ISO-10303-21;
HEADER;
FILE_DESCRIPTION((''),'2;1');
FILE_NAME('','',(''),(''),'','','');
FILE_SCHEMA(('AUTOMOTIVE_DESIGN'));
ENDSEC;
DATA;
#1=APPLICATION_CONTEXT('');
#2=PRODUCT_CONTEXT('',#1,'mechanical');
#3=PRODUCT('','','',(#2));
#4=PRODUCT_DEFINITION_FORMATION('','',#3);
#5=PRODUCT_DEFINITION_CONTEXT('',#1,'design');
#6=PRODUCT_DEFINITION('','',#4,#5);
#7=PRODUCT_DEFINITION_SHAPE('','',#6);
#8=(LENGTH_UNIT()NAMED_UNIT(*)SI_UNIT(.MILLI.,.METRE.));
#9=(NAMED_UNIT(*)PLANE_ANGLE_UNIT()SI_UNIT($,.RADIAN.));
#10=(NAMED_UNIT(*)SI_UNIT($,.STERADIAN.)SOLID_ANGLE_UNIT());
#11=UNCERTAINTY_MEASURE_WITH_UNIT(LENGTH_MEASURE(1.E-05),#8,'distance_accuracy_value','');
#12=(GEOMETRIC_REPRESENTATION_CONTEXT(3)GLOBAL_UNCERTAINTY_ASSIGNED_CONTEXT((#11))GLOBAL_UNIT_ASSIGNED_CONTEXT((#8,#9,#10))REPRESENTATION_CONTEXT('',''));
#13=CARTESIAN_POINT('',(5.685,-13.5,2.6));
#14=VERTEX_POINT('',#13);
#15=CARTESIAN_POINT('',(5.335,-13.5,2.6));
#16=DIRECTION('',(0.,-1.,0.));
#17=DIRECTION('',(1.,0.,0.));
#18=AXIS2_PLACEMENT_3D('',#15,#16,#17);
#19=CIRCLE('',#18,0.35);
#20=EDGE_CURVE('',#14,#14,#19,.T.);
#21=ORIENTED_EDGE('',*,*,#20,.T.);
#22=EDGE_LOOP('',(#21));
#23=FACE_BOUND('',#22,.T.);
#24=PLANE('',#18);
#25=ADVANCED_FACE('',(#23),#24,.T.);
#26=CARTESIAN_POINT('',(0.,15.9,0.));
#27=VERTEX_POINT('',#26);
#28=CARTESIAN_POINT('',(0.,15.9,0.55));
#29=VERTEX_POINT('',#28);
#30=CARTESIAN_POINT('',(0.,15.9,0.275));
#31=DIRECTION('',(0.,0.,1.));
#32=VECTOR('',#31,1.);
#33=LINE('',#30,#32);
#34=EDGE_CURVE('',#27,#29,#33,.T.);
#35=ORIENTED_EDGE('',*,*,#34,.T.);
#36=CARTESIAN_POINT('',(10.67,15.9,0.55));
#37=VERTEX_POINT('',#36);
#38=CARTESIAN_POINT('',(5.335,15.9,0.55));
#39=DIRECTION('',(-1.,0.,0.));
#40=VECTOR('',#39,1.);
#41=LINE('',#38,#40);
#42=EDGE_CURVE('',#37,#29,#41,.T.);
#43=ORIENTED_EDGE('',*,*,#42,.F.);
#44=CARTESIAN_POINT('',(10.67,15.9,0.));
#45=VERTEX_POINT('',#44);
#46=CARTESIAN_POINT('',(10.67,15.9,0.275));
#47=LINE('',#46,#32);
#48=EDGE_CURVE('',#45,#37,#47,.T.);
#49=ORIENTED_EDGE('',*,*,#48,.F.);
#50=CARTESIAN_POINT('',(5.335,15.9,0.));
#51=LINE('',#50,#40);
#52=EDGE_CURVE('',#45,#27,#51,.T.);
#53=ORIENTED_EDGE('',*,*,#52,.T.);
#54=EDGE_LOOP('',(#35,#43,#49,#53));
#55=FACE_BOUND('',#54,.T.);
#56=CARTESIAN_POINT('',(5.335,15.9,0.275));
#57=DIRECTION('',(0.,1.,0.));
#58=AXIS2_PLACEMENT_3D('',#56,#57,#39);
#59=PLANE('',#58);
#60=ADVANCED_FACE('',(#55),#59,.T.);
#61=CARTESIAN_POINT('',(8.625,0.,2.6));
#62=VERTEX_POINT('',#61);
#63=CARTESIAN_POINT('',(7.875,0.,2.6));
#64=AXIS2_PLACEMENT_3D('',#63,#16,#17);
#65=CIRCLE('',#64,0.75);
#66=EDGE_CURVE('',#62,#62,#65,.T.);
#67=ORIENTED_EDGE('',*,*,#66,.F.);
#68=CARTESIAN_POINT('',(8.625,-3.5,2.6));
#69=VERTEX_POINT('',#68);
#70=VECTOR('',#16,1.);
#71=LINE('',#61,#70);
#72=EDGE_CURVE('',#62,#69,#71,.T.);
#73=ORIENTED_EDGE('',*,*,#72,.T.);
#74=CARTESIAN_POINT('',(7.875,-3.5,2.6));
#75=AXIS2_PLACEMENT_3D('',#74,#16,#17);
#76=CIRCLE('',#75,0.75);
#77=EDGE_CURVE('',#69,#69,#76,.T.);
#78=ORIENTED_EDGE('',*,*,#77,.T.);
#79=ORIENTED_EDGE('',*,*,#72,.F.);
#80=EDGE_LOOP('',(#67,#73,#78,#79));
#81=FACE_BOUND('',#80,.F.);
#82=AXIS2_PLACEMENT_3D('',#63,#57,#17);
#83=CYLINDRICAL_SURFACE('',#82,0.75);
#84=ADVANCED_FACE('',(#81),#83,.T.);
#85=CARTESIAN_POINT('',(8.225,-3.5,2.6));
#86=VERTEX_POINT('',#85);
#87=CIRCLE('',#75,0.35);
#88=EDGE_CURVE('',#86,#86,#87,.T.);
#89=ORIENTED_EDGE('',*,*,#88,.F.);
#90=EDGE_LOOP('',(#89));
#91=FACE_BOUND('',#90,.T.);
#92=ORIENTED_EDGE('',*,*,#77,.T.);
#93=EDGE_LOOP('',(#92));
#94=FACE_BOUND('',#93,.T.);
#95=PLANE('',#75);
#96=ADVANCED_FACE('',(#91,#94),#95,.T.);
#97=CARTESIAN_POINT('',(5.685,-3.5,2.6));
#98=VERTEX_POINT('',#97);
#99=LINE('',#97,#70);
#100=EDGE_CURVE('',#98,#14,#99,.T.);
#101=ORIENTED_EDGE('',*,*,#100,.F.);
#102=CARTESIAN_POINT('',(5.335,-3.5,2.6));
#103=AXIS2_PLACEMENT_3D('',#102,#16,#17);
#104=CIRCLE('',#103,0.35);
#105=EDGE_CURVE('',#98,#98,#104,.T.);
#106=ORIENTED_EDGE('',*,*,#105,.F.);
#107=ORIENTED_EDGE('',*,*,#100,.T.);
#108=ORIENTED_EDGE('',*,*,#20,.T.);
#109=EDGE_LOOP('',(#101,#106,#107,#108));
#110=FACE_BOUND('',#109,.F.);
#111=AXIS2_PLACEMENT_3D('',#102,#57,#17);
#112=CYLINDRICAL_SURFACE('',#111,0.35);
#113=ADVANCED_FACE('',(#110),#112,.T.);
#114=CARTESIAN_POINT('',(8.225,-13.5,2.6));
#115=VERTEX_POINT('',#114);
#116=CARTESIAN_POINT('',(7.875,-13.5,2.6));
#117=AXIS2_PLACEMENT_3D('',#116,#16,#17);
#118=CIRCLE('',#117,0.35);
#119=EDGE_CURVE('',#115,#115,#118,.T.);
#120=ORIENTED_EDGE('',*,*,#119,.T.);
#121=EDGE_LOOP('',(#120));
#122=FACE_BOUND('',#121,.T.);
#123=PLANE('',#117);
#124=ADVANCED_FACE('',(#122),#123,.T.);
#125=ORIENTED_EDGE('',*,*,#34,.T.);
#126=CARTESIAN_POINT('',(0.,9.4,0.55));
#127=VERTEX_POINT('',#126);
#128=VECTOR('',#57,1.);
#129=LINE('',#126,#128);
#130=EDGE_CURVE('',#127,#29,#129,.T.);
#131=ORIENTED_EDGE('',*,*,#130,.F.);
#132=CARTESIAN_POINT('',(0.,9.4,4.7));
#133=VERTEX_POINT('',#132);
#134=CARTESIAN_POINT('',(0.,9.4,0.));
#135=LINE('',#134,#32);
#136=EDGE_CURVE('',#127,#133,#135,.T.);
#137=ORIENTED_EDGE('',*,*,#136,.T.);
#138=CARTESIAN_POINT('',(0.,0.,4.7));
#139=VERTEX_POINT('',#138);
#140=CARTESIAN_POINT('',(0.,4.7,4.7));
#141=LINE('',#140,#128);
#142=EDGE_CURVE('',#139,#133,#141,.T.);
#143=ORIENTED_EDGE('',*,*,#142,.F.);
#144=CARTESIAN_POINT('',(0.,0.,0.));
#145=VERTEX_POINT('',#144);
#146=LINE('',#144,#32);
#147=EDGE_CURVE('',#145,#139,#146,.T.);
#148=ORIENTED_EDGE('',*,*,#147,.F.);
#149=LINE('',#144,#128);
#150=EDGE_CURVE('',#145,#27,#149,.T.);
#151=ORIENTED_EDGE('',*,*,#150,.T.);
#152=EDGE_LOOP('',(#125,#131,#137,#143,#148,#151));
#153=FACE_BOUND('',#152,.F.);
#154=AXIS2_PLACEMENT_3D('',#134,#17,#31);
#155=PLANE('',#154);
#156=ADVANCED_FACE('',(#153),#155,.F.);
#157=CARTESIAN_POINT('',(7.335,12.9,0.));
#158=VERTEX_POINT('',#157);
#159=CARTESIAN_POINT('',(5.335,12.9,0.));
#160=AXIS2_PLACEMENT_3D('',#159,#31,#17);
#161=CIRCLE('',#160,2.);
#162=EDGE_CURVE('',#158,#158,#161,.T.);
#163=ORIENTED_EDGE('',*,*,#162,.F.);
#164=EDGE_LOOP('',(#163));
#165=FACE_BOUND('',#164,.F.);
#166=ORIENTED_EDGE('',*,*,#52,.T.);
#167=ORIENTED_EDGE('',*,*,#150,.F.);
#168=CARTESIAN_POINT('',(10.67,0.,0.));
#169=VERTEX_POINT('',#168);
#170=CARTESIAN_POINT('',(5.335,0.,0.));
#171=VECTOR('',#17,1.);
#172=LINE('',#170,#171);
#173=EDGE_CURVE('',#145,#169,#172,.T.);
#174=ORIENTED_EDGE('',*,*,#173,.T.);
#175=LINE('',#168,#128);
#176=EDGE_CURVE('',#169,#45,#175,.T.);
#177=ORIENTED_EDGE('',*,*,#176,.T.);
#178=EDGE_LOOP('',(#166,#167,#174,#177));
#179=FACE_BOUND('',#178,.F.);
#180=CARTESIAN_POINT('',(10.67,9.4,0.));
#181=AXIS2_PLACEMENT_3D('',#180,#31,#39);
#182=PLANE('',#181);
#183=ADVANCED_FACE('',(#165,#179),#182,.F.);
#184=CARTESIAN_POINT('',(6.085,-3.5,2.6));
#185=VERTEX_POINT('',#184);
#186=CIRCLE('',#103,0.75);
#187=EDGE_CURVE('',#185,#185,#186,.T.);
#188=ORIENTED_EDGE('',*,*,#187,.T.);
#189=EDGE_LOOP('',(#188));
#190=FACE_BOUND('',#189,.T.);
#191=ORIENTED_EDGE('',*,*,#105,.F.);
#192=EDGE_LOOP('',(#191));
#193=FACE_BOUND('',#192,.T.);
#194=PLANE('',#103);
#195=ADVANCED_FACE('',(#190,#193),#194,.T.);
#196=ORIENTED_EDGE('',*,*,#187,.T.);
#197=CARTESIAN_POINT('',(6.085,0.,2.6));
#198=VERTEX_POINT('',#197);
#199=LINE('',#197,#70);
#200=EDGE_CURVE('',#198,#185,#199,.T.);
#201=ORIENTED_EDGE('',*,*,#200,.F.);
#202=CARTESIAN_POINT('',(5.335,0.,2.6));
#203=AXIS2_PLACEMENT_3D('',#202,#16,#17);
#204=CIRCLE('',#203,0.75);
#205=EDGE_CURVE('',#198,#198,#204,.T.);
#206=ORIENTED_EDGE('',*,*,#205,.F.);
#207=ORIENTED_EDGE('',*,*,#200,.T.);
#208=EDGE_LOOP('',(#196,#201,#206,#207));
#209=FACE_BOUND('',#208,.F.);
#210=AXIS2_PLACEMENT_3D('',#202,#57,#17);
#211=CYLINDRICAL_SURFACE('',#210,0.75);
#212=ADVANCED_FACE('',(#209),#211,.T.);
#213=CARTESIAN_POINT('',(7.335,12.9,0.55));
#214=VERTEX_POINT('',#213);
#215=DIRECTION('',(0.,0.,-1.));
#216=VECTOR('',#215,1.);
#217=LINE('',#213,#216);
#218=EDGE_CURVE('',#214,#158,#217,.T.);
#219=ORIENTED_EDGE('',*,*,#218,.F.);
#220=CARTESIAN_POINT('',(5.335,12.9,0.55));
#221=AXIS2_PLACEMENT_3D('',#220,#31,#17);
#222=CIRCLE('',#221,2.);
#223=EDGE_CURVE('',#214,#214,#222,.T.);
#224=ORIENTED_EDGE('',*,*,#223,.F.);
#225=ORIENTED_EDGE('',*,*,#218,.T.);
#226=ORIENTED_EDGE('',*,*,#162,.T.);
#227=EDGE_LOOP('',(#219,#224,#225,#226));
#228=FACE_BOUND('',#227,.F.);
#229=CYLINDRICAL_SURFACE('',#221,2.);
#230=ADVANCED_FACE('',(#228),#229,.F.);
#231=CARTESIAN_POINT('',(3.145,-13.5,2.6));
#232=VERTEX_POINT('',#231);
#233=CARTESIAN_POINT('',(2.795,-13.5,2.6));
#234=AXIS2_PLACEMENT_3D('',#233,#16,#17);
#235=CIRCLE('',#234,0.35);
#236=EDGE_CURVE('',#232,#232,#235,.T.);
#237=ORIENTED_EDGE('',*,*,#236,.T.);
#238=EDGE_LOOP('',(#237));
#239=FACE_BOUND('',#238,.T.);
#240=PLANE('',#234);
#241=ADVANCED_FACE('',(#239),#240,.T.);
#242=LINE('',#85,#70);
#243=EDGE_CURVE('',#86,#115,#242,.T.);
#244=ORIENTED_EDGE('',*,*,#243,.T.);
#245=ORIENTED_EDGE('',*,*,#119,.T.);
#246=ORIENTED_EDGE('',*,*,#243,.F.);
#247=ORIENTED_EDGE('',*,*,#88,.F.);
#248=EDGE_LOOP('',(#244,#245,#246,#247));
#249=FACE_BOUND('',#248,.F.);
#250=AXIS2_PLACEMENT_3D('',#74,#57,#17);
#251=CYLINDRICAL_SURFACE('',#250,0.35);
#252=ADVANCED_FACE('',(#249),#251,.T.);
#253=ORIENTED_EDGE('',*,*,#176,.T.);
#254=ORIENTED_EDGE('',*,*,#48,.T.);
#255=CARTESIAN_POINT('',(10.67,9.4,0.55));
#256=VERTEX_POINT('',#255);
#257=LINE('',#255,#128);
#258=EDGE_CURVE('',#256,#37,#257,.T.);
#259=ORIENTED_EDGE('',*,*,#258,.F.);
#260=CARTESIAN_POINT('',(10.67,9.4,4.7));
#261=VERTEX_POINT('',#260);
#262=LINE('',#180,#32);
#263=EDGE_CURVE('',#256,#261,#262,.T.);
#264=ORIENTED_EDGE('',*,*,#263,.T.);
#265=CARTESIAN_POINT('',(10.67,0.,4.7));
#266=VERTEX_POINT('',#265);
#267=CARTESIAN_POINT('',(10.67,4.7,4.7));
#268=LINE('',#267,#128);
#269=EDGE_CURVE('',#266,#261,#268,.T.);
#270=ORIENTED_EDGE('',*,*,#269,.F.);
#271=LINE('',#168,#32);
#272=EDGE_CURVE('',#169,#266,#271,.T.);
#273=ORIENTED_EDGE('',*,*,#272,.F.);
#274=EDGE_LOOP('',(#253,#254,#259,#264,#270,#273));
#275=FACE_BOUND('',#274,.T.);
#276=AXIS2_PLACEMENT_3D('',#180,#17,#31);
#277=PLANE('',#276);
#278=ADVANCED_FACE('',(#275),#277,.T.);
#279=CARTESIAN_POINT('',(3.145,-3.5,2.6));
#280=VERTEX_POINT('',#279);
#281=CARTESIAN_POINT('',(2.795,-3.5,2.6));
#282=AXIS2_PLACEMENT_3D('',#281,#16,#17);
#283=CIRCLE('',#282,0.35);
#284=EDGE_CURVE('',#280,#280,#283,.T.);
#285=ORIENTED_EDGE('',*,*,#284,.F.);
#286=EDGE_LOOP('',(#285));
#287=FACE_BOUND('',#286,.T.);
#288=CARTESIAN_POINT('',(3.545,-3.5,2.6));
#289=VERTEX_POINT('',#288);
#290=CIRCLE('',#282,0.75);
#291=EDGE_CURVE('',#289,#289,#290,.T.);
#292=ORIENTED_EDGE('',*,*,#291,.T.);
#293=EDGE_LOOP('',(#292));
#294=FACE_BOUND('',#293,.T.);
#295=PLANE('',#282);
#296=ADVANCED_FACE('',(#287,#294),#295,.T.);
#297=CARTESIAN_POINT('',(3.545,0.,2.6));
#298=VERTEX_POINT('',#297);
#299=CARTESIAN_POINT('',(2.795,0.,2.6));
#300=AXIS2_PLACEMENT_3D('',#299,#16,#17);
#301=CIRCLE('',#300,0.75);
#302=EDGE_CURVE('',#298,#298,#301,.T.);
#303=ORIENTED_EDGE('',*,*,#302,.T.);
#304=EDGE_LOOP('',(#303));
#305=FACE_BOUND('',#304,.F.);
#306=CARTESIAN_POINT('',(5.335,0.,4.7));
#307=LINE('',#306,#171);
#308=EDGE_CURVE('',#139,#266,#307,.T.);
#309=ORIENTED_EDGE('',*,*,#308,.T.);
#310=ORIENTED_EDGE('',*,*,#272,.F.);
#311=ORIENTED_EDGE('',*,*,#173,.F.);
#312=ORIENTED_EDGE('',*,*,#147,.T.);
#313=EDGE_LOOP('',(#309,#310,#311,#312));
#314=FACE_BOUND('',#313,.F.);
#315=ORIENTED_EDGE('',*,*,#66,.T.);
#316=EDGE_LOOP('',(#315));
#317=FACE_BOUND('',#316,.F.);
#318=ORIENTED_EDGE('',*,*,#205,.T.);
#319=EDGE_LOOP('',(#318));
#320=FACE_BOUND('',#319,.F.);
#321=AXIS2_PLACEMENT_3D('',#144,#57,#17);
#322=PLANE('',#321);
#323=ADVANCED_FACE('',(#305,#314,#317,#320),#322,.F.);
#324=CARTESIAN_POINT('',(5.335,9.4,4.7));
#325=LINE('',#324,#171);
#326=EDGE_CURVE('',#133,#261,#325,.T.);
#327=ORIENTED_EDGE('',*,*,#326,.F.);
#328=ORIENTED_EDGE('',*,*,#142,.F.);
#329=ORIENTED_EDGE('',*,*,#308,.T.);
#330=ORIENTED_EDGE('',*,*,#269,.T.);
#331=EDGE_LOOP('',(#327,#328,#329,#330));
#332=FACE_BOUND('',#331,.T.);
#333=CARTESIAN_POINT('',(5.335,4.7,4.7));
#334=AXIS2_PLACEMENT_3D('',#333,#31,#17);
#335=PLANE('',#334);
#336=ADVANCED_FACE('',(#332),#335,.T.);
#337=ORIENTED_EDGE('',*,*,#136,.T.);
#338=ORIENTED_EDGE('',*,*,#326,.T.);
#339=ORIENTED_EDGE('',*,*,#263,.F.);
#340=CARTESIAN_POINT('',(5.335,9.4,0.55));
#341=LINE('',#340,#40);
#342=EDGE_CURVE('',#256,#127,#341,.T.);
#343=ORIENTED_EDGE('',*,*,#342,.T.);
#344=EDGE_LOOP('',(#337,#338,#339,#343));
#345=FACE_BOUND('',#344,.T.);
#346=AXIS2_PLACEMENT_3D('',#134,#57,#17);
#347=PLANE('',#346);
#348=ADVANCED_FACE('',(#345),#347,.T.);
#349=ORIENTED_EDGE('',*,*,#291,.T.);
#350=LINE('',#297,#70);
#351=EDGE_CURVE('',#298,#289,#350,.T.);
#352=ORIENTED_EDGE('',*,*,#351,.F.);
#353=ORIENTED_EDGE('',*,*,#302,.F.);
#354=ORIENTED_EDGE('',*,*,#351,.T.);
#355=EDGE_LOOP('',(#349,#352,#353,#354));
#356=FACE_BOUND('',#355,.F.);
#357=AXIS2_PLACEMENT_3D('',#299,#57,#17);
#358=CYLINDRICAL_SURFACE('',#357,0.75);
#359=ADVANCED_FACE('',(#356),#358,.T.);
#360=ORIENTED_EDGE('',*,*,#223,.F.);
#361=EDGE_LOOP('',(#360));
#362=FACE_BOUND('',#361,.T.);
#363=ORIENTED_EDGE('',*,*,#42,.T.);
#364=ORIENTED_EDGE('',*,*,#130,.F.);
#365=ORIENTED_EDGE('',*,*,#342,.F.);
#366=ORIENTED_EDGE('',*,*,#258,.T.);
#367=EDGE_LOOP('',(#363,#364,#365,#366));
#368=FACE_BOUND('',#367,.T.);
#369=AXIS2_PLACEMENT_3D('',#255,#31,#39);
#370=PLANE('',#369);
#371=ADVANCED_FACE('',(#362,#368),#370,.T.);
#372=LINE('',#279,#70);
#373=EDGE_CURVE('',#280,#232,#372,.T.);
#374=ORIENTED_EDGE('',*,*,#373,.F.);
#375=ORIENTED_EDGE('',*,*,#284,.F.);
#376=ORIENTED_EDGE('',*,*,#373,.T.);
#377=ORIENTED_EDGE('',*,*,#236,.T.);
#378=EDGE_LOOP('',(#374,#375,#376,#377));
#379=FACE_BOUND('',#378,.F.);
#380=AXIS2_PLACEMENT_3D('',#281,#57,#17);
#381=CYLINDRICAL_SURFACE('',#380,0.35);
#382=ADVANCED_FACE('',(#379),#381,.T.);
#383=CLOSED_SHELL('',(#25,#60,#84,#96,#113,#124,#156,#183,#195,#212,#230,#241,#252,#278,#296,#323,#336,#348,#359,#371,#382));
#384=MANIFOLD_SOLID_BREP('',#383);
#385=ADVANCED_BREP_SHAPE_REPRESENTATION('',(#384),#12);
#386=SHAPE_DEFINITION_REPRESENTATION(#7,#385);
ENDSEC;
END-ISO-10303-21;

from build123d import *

# Parameters (mm, degrees)
SKETCH_W     = 10.67
SKETCH_H     = 9.4
PAD_DEPTH    = 4.7
SKETCH001_R  = 0.75
PAD001_DEPTH = 3.5
SKETCH002_R  = 0.35
PAD002_DEPTH = 10
SKETCH003_W  = 10.67
SKETCH003_H  = 0.55
PAD003_DEPTH = 6.5
SKETCH004_R  = 2
POCKET_DEPTH = 5


with BuildPart() as part:
    # Sketch → Pad (new body)
    with BuildSketch(Plane.XY):
        with Locations((5.335, 4.7)):
            Rectangle(SKETCH_W, SKETCH_H)
    extrude(amount=PAD_DEPTH)

    # Sketch001 → Pad001 (new body)
    with BuildSketch(Plane.XZ):
        with Locations((2.795, 2.6)):
            Circle(SKETCH001_R)
        with Locations((5.335, 2.6)):
            Circle(SKETCH001_R)
        with Locations((7.875, 2.6)):
            Circle(SKETCH001_R)
    extrude(amount=PAD001_DEPTH)

    # Sketch002 → Pad002 (new body)
    with BuildSketch(Plane.XZ.offset(3.5)):
        with Locations((2.795, 2.6)):
            Circle(SKETCH002_R)
        with Locations((5.335, 2.6)):
            Circle(SKETCH002_R)
        with Locations((7.875, 2.6)):
            Circle(SKETCH002_R)
    extrude(amount=PAD002_DEPTH)

    # Sketch003 → Pad003 (new body)
    with BuildSketch(Plane(origin=(0, 9.4, 0), x_dir=(-1, 0, 0), z_dir=(0, 1, 0))):
        with Locations((-5.335, 0.275)):
            Rectangle(SKETCH003_W, SKETCH003_H)
    extrude(amount=PAD003_DEPTH)

    # Sketch004 → Pocket (cut)
    with BuildSketch(Plane.XY.offset(0.55)):
        with Locations((5.335, 12.9)):
            Circle(SKETCH004_R)
    extrude(amount=-POCKET_DEPTH, mode=Mode.SUBTRACT)


solid = part.part
